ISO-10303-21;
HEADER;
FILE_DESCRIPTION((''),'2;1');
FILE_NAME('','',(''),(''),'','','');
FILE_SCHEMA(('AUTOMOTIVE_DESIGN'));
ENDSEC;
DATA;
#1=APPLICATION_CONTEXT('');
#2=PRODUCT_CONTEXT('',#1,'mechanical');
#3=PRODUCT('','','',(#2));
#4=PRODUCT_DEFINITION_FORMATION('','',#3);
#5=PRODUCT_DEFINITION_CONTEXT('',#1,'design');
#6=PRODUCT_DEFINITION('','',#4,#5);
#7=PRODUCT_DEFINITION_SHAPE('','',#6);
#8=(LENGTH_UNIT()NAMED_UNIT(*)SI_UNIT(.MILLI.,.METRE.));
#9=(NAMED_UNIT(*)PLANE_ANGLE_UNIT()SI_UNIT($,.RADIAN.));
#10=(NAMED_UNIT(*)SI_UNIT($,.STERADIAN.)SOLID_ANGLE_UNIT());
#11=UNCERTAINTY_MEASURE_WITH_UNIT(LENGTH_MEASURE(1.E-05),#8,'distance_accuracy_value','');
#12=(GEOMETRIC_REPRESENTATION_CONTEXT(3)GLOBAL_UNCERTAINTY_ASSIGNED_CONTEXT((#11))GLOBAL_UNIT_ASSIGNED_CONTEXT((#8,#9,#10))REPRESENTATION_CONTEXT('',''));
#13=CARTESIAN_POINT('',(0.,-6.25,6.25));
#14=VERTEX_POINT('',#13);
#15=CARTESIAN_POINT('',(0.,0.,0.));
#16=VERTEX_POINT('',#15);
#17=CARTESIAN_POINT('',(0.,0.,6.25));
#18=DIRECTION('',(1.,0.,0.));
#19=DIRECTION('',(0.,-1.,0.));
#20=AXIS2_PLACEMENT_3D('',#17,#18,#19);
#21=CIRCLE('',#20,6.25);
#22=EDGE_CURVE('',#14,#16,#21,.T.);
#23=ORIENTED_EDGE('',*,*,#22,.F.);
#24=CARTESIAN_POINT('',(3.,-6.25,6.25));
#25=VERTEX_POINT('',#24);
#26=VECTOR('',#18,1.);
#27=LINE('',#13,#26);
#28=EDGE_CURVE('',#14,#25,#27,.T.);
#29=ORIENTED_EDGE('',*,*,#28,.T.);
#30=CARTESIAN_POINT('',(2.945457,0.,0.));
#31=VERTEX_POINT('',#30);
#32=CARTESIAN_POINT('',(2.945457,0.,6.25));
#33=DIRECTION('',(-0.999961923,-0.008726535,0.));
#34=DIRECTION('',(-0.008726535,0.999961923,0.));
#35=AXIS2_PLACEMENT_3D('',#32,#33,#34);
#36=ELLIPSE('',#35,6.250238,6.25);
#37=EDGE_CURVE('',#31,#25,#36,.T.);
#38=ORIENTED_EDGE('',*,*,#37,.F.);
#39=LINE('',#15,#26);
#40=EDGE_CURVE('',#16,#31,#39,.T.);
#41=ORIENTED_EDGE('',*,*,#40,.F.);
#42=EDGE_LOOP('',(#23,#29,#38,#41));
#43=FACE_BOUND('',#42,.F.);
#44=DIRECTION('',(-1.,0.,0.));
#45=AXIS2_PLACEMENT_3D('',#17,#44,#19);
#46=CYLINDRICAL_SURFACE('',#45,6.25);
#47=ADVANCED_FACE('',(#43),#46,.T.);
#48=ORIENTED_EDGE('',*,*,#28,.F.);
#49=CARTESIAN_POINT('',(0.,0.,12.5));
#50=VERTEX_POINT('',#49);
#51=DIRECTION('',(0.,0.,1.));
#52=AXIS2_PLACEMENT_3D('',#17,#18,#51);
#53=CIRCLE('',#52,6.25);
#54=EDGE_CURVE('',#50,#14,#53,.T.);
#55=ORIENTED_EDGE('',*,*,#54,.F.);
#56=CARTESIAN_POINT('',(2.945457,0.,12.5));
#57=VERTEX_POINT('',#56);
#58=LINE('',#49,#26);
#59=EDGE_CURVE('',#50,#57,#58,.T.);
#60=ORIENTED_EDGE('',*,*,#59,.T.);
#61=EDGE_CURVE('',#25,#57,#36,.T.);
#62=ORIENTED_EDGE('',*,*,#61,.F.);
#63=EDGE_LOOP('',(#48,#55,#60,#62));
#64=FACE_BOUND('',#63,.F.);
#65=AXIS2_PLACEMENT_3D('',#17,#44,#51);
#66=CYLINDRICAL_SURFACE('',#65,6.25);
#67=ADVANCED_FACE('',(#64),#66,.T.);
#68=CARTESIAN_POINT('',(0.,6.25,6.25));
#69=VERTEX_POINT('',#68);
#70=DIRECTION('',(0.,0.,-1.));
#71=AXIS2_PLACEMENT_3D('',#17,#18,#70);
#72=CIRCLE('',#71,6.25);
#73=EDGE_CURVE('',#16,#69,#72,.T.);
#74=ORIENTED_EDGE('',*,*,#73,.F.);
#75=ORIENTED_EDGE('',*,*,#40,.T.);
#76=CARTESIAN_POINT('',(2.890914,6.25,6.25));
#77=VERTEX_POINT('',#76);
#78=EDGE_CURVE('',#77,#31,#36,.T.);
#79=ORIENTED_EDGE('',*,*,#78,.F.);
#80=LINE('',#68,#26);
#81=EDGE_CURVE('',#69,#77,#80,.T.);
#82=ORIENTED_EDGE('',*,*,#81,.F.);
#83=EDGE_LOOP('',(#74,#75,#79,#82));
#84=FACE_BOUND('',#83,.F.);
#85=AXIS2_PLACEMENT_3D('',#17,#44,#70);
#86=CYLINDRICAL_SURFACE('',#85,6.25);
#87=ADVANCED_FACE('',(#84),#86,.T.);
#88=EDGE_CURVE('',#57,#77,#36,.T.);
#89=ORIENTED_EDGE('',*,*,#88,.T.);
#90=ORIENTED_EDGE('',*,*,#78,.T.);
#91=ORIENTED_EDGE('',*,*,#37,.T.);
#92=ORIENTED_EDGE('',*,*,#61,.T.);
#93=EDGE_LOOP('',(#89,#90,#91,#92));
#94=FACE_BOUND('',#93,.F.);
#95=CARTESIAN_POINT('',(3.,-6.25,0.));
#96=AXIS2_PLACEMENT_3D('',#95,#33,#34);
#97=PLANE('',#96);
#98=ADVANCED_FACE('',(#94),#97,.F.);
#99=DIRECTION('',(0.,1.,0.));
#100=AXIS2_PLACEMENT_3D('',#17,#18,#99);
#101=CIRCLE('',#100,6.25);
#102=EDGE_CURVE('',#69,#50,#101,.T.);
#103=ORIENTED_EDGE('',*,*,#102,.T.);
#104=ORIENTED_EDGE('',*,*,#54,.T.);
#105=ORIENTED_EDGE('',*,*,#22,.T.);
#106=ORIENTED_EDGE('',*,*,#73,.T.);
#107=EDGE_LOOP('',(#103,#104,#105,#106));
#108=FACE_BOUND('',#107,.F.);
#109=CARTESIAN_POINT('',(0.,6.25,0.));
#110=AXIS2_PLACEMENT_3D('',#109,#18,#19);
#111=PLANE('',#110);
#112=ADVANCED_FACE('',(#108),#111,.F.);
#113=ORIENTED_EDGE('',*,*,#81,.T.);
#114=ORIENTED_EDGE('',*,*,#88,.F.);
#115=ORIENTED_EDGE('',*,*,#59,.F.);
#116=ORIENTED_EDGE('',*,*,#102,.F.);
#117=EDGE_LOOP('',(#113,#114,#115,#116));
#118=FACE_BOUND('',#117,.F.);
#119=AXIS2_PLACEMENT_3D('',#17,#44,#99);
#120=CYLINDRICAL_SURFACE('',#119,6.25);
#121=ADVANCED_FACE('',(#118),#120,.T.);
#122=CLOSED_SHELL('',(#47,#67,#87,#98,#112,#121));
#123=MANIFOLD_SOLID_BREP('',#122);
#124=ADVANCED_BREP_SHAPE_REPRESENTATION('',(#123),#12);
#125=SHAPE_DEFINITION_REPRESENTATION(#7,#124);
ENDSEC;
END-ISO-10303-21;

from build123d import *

# Parameters (mm, degrees)
EXTRUDE_1_DEPTH     = 12.5
CUT_EXTRUDE_1_DEPTH = 10


with BuildPart() as part:
    # 草图1 → 凸台-拉伸1 (new body)
    with BuildSketch(Plane.XY):
        Polygon((0, 6.25), (0, -6.25), (3, -6.25), (2.890914153, 6.25), align=None)
    extrude(amount=EXTRUDE_1_DEPTH)

    # 草图2 → 切除-拉伸1 (cut)
    with BuildSketch(Plane.ZY):
        with BuildLine():
            ThreePointArc((6.25, -6.25), (1.830582618, -4.419417382), (0, 0))
            Line((0, 0), (0, -6.25))
            Line((0, -6.25), (6.25, -6.25))
        make_face()
        with BuildLine():
            ThreePointArc((12.5, 0), (10.669417382, -4.419417382), (6.25, -6.25))
            Line((6.25, -6.25), (12.5, -6.25))
            Line((12.5, -6.25), (12.5, 0))
        make_face()
        with BuildLine():
            Line((12.5, 6.25), (6.25, 6.25))
            ThreePointArc((6.25, 6.25), (10.669417382, 4.419417382), (12.5, 0))
            Line((12.5, 0), (12.5, 6.25))
        make_face()
        with BuildLine():
            Line((6.25, 6.25), (0, 6.25))
            Line((0, 6.25), (0, 0))
            ThreePointArc((0, 0), (1.830582618, 4.419417382), (6.25, 6.25))
        make_face()
    extrude(amount=-CUT_EXTRUDE_1_DEPTH, mode=Mode.SUBTRACT)


solid = part.part
